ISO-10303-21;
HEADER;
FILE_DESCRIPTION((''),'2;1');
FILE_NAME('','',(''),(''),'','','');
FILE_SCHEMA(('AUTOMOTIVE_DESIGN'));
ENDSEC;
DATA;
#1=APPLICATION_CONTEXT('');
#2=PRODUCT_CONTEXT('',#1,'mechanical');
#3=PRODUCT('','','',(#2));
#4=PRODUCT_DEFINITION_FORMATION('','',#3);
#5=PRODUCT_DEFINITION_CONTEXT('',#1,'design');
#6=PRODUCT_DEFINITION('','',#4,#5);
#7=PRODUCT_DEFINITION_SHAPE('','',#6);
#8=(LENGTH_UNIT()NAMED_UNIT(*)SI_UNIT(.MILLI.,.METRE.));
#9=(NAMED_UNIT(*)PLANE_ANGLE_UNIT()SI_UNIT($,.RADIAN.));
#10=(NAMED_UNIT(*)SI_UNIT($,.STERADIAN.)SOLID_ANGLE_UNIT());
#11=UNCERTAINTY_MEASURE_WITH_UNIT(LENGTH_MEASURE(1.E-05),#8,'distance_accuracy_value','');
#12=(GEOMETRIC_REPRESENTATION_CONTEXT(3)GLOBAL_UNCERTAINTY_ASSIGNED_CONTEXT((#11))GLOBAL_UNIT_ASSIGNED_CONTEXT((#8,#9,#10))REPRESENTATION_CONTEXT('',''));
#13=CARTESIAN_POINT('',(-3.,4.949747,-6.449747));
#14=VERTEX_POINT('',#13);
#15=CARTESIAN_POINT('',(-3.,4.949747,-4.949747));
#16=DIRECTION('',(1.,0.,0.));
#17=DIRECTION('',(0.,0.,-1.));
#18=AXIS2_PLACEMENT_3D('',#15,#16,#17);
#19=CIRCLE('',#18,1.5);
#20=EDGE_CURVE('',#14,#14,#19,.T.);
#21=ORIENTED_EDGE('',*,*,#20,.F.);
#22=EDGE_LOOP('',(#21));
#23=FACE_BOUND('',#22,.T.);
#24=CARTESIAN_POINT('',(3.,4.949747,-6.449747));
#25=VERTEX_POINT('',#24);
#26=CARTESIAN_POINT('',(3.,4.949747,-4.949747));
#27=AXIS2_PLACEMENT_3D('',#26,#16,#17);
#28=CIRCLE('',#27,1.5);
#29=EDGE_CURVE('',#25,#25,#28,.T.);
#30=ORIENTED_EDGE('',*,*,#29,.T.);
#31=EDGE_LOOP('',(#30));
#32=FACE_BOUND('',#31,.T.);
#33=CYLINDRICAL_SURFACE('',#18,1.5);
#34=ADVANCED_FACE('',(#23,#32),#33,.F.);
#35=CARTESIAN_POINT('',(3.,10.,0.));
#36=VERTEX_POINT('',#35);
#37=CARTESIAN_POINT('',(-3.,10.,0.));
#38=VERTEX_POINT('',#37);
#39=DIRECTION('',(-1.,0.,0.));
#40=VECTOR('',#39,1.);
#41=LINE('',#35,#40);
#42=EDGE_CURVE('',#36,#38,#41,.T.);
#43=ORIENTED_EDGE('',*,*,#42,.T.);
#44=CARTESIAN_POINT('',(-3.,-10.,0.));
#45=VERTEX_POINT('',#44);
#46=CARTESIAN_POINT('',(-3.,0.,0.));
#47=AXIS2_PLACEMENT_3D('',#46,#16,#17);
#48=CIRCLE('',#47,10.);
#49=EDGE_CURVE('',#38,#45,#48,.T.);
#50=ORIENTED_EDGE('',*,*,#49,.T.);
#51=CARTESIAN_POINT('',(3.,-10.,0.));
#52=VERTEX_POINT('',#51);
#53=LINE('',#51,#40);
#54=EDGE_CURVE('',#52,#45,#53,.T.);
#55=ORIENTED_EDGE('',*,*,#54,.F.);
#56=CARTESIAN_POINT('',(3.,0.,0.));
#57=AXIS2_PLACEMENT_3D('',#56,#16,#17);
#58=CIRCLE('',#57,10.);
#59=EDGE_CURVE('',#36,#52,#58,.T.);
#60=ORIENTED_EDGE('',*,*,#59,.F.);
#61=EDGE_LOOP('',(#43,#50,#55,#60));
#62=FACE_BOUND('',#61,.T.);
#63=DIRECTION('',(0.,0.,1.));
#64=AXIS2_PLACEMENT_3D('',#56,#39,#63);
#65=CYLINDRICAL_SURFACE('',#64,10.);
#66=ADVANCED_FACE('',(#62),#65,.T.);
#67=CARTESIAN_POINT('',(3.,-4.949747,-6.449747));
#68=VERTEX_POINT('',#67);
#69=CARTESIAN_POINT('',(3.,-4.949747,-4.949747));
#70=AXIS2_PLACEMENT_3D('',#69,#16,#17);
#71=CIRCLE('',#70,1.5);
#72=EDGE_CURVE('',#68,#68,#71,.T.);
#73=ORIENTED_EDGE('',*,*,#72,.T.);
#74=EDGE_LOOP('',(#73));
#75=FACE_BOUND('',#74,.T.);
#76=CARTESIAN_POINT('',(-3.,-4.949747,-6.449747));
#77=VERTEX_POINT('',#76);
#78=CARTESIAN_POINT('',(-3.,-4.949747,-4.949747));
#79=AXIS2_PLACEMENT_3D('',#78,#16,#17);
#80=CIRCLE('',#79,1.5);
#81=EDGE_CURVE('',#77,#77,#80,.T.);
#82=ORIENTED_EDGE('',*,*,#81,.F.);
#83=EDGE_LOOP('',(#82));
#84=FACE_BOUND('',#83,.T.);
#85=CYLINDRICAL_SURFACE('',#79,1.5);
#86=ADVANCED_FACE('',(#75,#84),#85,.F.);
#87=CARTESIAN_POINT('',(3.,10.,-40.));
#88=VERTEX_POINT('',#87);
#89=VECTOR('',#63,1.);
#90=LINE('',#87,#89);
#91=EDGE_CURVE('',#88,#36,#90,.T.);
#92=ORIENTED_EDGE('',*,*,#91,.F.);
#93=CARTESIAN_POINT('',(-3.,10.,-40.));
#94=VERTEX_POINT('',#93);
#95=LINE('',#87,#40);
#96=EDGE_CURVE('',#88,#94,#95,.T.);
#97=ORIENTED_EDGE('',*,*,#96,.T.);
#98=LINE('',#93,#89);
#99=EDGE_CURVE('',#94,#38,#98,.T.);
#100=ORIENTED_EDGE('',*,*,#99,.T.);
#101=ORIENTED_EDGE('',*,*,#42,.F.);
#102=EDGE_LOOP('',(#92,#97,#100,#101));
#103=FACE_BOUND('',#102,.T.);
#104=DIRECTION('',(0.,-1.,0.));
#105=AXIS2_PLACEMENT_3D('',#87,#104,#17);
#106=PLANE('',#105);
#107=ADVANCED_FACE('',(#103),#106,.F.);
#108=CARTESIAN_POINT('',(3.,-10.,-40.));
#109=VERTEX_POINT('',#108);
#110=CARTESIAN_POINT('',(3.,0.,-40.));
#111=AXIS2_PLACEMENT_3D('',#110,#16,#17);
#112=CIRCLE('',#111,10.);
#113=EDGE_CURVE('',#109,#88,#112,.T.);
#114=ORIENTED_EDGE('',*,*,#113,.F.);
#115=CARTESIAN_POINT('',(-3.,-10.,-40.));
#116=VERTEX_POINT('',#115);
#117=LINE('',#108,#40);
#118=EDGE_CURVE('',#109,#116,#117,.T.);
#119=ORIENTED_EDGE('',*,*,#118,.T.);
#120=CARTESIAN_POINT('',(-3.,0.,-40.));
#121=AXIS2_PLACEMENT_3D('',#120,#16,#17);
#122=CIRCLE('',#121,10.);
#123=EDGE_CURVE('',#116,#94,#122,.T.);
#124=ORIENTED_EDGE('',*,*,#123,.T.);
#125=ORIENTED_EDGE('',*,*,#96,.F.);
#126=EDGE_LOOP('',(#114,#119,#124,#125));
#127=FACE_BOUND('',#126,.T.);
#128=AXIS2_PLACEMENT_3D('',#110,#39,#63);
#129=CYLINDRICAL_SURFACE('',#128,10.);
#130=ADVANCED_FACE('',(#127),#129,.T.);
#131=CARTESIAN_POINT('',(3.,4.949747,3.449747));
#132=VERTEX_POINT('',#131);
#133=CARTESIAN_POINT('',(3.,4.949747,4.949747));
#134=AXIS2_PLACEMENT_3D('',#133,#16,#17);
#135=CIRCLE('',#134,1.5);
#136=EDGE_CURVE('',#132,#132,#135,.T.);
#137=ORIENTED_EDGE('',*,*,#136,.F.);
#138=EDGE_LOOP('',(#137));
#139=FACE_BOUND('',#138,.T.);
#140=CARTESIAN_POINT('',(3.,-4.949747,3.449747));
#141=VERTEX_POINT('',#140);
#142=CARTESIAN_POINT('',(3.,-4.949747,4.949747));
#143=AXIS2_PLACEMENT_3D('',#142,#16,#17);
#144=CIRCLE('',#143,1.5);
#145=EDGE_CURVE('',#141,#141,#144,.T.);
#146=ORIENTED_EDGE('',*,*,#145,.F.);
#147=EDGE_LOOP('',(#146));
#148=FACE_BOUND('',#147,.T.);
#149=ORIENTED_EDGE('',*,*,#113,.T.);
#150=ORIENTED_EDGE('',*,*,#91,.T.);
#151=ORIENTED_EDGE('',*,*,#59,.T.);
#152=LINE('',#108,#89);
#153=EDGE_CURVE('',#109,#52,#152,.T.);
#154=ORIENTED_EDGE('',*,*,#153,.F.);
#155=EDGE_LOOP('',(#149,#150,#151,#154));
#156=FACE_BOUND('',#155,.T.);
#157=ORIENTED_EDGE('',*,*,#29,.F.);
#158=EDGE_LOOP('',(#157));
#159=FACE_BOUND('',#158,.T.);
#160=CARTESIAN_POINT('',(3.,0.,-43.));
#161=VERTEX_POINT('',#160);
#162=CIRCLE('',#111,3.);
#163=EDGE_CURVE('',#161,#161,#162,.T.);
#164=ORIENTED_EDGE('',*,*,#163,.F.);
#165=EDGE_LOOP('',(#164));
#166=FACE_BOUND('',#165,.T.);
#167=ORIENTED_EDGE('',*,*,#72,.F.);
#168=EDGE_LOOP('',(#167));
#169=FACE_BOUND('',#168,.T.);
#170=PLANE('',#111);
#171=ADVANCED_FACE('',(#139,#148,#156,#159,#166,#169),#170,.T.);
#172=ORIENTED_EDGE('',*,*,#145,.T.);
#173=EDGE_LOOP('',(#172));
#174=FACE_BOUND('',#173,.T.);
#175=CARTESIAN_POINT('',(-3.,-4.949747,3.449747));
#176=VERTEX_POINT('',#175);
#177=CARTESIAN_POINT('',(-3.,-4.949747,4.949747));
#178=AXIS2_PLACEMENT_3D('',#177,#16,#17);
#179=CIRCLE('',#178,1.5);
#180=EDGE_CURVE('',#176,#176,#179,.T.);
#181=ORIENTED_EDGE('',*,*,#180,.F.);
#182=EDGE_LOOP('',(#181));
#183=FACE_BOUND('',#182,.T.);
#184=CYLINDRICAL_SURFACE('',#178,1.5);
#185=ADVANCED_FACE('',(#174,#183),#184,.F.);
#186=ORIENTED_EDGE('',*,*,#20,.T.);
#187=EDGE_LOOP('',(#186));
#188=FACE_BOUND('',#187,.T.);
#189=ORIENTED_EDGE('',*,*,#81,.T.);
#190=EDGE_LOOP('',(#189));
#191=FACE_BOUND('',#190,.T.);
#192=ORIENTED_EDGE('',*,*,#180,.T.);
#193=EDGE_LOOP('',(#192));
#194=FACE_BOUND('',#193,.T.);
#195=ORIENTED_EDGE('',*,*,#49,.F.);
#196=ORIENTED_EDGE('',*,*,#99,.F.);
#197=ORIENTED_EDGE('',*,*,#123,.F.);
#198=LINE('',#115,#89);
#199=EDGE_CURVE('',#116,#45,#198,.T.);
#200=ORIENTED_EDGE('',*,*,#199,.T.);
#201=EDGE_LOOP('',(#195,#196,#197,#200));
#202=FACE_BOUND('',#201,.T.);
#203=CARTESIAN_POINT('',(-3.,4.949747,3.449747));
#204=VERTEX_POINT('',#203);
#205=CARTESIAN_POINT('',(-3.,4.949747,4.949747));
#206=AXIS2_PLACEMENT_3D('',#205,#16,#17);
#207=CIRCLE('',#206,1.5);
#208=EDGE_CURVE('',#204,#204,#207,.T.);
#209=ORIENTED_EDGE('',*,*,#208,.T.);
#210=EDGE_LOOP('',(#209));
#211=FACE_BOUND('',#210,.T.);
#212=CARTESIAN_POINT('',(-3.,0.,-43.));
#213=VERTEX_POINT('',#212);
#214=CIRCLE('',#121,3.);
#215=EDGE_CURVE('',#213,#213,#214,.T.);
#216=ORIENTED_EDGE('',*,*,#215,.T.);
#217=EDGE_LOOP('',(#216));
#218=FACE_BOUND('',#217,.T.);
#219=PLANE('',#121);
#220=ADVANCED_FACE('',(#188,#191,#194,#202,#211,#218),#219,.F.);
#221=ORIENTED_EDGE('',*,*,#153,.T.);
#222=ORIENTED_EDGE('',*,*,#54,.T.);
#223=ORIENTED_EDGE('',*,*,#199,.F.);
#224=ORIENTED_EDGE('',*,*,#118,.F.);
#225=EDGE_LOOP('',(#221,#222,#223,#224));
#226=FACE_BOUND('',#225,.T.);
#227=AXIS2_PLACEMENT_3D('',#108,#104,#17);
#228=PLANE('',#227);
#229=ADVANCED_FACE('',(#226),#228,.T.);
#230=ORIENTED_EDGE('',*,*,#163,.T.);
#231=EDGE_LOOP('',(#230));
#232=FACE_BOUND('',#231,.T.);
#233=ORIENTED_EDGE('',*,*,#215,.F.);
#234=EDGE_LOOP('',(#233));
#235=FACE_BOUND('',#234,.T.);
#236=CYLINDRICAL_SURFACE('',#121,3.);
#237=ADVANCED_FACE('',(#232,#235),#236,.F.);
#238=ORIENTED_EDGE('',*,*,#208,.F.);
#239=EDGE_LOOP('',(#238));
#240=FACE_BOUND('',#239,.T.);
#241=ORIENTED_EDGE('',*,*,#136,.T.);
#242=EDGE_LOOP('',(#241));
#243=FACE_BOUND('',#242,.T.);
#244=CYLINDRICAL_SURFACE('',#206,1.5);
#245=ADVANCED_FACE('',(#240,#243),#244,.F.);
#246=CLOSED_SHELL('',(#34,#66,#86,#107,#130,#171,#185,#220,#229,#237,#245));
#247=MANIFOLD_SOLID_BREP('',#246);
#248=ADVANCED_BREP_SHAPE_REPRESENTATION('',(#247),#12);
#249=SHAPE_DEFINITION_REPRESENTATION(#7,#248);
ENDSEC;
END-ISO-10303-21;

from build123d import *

# Parameters (mm, degrees)
BOSS_EXTRUDE1_DEPTH     = 3
SKETCH2_R               = 1.5
CUT_EXTRUDE1_DEPTH      = 4
CUT_EXTRUDE1_DEPTH_BACK = 4
SKETCH3_R               = 3
CUT_EXTRUDE2_DEPTH      = 4
CUT_EXTRUDE2_DEPTH_BACK = 4


with BuildPart() as part:
    # Sketch1 → Boss-Extrude1 (new body, symmetric)
    with BuildSketch(Plane(origin=(0, 0, 0), x_dir=(0, 0, -1), z_dir=(1, 0, 0))):
        with BuildLine():
            Line((40, -10), (0, -10))
            ThreePointArc((0, -10), (-10, 0), (0, 10))
            Line((0, 10), (40, 10))
            ThreePointArc((40, 10), (50, 0), (40, -10))
        make_face()
    extrude(amount=BOSS_EXTRUDE1_DEPTH, both=True)

    # Sketch2 → Cut-Extrude1 (cut, two sides)
    with BuildSketch(Plane(origin=(0, 0, 0), x_dir=(0, 0, -1), z_dir=(1, 0, 0))) as cut_extrude1_sk:
        with Locations((4.949747468, 4.949747468)):
            Circle(SKETCH2_R)
        with Locations((4.949747468, -4.949747468)):
            Circle(SKETCH2_R)
        with Locations((-4.949747468, -4.949747468)):
            Circle(SKETCH2_R)
        with Locations((-4.949747468, 4.949747468)):
            Circle(SKETCH2_R)
    extrude(amount=CUT_EXTRUDE1_DEPTH, mode=Mode.SUBTRACT)
    extrude(cut_extrude1_sk.sketch, amount=-CUT_EXTRUDE1_DEPTH_BACK, mode=Mode.SUBTRACT)

    # Sketch3 → Cut-Extrude2 (cut, two sides)
    with BuildSketch(Plane(origin=(0, 0, 0), x_dir=(0, 0, -1), z_dir=(1, 0, 0))) as cut_extrude2_sk:
        with Locations((40, 0)):
            Circle(SKETCH3_R)
    extrude(amount=CUT_EXTRUDE2_DEPTH, mode=Mode.SUBTRACT)
    extrude(cut_extrude2_sk.sketch, amount=-CUT_EXTRUDE2_DEPTH_BACK, mode=Mode.SUBTRACT)


solid = part.part
